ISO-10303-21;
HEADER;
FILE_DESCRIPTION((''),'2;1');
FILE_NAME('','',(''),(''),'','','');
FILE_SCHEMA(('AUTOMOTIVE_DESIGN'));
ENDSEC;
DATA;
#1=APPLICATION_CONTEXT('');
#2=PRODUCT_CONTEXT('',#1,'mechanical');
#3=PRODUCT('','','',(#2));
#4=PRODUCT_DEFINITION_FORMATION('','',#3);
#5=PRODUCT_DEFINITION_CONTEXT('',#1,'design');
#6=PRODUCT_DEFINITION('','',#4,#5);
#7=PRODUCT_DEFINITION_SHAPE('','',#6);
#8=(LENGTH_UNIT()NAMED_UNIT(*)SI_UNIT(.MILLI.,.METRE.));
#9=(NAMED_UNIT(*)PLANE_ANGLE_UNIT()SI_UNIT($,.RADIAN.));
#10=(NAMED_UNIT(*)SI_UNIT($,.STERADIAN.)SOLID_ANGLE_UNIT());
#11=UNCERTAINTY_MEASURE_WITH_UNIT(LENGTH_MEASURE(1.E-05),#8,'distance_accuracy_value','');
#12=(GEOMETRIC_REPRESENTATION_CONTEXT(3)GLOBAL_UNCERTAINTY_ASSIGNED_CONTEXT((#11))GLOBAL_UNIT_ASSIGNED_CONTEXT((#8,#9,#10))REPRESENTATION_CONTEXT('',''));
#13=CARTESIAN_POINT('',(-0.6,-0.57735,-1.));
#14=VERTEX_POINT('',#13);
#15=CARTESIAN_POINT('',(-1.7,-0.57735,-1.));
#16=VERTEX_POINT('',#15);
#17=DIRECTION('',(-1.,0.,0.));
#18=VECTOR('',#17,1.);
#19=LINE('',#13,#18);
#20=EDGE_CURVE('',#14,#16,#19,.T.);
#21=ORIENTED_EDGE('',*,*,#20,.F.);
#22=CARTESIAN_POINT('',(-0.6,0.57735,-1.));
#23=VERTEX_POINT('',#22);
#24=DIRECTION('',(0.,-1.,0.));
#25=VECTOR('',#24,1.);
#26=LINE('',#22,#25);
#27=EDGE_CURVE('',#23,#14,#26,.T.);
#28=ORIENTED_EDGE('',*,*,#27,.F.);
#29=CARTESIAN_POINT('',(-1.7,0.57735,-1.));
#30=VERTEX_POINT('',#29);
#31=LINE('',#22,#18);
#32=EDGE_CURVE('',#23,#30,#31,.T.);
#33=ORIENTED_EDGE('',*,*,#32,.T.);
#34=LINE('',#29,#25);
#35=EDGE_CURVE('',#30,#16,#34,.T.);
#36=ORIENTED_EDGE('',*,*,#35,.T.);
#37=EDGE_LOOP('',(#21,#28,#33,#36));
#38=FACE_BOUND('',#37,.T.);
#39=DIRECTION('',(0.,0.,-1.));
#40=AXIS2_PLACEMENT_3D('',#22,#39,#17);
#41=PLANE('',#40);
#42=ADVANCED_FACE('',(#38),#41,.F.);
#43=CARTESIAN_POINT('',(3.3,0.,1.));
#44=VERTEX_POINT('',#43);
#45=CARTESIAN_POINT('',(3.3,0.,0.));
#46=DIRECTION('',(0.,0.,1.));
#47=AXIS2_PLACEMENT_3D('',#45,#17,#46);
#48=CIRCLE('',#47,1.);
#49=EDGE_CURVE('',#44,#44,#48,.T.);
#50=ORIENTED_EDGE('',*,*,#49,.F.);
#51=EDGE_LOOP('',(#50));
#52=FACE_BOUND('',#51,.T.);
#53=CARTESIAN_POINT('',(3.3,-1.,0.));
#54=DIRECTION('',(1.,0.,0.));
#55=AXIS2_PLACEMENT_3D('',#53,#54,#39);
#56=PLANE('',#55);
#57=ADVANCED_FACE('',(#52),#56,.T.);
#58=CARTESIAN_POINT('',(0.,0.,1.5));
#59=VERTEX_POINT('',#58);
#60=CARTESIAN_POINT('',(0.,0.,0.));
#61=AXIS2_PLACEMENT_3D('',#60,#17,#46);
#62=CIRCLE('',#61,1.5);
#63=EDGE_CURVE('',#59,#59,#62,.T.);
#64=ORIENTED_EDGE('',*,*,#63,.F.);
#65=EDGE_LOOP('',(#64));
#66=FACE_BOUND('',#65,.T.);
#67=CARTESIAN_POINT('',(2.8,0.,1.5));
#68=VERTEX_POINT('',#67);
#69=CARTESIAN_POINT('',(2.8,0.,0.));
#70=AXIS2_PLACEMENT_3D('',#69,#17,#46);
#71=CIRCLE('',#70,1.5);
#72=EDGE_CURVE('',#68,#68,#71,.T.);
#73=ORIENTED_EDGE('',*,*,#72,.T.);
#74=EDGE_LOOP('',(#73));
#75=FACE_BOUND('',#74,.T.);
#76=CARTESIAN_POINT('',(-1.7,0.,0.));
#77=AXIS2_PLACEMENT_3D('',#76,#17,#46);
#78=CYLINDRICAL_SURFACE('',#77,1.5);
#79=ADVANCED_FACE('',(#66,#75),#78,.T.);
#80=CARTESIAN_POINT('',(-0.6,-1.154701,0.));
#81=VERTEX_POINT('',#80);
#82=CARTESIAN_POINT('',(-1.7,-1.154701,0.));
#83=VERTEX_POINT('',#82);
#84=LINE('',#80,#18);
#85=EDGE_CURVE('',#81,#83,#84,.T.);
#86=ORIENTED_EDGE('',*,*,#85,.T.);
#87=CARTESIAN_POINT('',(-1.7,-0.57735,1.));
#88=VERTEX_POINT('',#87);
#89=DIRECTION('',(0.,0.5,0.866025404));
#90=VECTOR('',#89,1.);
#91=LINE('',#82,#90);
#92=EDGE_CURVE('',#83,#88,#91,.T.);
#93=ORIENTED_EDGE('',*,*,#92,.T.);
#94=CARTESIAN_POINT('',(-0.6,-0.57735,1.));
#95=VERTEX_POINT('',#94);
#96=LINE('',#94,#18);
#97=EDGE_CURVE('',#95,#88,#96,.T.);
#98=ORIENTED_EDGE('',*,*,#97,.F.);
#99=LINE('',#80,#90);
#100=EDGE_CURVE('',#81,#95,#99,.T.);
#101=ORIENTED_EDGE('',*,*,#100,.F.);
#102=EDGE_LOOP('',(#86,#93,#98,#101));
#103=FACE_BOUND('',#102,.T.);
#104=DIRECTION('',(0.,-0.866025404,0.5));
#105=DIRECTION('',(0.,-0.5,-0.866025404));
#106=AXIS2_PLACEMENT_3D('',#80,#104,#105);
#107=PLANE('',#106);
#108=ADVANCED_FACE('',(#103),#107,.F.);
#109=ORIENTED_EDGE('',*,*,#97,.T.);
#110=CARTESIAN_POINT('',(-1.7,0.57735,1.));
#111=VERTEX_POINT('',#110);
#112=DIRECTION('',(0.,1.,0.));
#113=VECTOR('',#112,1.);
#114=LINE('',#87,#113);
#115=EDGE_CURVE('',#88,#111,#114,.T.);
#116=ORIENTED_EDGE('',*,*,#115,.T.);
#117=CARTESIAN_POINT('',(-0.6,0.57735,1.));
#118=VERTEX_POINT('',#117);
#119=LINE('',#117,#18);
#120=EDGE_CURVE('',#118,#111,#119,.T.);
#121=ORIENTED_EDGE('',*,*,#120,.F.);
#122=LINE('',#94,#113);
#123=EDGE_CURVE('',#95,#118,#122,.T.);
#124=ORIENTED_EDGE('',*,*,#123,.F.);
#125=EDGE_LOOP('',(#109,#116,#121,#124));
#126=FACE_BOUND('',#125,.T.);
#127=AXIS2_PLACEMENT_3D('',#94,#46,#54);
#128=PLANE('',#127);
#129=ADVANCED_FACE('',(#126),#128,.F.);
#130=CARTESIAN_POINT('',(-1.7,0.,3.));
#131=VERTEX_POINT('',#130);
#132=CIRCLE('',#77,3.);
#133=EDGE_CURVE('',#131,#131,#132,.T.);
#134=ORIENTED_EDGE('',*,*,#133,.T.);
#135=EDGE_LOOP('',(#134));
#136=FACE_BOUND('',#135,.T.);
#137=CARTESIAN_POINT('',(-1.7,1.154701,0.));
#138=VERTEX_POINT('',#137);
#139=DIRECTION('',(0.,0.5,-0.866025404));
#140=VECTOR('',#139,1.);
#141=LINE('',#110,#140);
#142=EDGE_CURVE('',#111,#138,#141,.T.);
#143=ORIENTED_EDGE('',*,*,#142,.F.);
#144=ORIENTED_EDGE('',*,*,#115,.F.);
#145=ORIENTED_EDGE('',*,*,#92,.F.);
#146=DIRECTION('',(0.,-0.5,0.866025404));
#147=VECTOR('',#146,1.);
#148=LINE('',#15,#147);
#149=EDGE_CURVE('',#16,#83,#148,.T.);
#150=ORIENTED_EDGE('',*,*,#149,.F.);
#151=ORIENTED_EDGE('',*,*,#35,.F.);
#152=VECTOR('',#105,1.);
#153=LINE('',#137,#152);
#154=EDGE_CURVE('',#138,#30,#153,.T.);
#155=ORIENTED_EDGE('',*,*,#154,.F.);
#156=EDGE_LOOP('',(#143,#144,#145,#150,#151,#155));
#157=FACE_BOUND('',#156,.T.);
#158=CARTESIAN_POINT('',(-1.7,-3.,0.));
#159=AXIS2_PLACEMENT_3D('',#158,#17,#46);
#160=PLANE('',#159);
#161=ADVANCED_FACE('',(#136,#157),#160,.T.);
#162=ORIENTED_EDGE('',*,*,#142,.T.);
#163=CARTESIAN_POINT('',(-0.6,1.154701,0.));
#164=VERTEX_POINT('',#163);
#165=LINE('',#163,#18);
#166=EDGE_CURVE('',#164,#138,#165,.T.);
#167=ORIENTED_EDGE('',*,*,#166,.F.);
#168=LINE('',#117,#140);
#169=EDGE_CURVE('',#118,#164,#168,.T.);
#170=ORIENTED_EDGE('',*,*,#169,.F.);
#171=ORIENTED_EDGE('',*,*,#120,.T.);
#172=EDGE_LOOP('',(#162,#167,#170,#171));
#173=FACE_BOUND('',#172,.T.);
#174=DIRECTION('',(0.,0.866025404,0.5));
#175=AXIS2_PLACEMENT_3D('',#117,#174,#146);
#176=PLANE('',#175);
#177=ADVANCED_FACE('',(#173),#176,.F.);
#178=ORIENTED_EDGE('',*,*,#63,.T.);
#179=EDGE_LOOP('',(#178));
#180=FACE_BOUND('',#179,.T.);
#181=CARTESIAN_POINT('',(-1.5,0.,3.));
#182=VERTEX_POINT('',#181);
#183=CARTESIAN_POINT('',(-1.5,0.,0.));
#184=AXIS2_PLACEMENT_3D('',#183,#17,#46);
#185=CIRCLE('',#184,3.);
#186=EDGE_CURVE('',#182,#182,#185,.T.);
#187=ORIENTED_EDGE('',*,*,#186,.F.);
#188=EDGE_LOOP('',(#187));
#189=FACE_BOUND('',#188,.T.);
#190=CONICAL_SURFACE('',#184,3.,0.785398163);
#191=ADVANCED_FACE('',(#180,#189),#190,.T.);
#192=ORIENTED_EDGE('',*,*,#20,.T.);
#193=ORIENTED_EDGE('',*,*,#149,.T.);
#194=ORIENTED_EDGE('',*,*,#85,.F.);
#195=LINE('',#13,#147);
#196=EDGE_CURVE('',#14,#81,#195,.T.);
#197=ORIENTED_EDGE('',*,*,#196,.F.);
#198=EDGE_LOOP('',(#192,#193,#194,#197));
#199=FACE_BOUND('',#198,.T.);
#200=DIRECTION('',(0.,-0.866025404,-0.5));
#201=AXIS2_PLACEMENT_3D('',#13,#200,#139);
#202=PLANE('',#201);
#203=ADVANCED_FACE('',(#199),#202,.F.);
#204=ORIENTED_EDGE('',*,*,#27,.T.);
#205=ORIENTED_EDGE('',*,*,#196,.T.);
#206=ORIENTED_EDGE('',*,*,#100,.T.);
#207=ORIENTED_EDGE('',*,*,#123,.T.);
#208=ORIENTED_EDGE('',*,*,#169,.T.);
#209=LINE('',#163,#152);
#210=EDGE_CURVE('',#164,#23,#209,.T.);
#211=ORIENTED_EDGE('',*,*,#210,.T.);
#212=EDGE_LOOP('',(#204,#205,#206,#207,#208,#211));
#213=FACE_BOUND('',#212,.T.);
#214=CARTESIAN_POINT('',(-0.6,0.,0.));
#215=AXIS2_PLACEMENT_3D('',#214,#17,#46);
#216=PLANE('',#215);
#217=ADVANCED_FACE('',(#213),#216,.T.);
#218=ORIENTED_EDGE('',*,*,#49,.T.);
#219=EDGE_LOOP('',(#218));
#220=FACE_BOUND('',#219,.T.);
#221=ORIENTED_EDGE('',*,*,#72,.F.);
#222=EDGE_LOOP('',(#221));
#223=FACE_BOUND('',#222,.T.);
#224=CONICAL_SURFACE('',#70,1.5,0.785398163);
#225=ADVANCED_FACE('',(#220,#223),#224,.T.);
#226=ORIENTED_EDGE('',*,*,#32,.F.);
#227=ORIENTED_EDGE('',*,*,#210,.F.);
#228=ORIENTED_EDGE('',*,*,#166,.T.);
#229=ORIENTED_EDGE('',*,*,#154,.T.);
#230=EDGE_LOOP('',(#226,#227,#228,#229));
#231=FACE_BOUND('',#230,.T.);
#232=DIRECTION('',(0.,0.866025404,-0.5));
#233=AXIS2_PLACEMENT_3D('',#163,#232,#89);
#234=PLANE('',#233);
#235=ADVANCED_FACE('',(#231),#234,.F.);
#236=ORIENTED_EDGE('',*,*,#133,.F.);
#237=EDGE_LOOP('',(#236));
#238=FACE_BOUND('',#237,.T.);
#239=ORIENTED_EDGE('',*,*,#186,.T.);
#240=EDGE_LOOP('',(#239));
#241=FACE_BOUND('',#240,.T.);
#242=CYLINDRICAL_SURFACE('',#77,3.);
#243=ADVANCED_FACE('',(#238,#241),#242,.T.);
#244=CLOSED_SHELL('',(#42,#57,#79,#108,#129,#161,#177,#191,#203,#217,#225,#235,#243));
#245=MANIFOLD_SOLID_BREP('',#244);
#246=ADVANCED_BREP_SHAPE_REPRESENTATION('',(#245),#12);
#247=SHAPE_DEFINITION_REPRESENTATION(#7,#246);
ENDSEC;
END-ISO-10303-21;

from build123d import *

# Parameters (mm, degrees)
CUT_EXTRUDE1_DEPTH = 1.1


with BuildPart() as part:
    # Sketch1 → Revolve1 (revolve)
    with BuildSketch(Plane.XY, mode=Mode.PRIVATE) as revolve1_sk:
        Polygon((0, -1.5), (2.8, -1.5), (3.3, -1), (3.3, 0), (-1.7, 0), (-1.7, -3), (-1.5, -3), align=None)
    revolve(revolve1_sk.sketch.rotate(Axis((-1.7, 0, 0), (1, 0, 0)), 270), axis=Axis((-1.7, 0, 0), (1, 0, 0)))

    # Sketch2 → Cut-Extrude1 (cut)
    with BuildSketch(Plane.ZY.offset(1.7)):
        Polygon((0, 1.154700538), (-1, 0.577350269), (-1, -0.577350269), (0, -1.154700538), (1, -0.577350269), (1, 0.577350269), align=None)
    extrude(amount=-CUT_EXTRUDE1_DEPTH, mode=Mode.SUBTRACT)


solid = part.part
